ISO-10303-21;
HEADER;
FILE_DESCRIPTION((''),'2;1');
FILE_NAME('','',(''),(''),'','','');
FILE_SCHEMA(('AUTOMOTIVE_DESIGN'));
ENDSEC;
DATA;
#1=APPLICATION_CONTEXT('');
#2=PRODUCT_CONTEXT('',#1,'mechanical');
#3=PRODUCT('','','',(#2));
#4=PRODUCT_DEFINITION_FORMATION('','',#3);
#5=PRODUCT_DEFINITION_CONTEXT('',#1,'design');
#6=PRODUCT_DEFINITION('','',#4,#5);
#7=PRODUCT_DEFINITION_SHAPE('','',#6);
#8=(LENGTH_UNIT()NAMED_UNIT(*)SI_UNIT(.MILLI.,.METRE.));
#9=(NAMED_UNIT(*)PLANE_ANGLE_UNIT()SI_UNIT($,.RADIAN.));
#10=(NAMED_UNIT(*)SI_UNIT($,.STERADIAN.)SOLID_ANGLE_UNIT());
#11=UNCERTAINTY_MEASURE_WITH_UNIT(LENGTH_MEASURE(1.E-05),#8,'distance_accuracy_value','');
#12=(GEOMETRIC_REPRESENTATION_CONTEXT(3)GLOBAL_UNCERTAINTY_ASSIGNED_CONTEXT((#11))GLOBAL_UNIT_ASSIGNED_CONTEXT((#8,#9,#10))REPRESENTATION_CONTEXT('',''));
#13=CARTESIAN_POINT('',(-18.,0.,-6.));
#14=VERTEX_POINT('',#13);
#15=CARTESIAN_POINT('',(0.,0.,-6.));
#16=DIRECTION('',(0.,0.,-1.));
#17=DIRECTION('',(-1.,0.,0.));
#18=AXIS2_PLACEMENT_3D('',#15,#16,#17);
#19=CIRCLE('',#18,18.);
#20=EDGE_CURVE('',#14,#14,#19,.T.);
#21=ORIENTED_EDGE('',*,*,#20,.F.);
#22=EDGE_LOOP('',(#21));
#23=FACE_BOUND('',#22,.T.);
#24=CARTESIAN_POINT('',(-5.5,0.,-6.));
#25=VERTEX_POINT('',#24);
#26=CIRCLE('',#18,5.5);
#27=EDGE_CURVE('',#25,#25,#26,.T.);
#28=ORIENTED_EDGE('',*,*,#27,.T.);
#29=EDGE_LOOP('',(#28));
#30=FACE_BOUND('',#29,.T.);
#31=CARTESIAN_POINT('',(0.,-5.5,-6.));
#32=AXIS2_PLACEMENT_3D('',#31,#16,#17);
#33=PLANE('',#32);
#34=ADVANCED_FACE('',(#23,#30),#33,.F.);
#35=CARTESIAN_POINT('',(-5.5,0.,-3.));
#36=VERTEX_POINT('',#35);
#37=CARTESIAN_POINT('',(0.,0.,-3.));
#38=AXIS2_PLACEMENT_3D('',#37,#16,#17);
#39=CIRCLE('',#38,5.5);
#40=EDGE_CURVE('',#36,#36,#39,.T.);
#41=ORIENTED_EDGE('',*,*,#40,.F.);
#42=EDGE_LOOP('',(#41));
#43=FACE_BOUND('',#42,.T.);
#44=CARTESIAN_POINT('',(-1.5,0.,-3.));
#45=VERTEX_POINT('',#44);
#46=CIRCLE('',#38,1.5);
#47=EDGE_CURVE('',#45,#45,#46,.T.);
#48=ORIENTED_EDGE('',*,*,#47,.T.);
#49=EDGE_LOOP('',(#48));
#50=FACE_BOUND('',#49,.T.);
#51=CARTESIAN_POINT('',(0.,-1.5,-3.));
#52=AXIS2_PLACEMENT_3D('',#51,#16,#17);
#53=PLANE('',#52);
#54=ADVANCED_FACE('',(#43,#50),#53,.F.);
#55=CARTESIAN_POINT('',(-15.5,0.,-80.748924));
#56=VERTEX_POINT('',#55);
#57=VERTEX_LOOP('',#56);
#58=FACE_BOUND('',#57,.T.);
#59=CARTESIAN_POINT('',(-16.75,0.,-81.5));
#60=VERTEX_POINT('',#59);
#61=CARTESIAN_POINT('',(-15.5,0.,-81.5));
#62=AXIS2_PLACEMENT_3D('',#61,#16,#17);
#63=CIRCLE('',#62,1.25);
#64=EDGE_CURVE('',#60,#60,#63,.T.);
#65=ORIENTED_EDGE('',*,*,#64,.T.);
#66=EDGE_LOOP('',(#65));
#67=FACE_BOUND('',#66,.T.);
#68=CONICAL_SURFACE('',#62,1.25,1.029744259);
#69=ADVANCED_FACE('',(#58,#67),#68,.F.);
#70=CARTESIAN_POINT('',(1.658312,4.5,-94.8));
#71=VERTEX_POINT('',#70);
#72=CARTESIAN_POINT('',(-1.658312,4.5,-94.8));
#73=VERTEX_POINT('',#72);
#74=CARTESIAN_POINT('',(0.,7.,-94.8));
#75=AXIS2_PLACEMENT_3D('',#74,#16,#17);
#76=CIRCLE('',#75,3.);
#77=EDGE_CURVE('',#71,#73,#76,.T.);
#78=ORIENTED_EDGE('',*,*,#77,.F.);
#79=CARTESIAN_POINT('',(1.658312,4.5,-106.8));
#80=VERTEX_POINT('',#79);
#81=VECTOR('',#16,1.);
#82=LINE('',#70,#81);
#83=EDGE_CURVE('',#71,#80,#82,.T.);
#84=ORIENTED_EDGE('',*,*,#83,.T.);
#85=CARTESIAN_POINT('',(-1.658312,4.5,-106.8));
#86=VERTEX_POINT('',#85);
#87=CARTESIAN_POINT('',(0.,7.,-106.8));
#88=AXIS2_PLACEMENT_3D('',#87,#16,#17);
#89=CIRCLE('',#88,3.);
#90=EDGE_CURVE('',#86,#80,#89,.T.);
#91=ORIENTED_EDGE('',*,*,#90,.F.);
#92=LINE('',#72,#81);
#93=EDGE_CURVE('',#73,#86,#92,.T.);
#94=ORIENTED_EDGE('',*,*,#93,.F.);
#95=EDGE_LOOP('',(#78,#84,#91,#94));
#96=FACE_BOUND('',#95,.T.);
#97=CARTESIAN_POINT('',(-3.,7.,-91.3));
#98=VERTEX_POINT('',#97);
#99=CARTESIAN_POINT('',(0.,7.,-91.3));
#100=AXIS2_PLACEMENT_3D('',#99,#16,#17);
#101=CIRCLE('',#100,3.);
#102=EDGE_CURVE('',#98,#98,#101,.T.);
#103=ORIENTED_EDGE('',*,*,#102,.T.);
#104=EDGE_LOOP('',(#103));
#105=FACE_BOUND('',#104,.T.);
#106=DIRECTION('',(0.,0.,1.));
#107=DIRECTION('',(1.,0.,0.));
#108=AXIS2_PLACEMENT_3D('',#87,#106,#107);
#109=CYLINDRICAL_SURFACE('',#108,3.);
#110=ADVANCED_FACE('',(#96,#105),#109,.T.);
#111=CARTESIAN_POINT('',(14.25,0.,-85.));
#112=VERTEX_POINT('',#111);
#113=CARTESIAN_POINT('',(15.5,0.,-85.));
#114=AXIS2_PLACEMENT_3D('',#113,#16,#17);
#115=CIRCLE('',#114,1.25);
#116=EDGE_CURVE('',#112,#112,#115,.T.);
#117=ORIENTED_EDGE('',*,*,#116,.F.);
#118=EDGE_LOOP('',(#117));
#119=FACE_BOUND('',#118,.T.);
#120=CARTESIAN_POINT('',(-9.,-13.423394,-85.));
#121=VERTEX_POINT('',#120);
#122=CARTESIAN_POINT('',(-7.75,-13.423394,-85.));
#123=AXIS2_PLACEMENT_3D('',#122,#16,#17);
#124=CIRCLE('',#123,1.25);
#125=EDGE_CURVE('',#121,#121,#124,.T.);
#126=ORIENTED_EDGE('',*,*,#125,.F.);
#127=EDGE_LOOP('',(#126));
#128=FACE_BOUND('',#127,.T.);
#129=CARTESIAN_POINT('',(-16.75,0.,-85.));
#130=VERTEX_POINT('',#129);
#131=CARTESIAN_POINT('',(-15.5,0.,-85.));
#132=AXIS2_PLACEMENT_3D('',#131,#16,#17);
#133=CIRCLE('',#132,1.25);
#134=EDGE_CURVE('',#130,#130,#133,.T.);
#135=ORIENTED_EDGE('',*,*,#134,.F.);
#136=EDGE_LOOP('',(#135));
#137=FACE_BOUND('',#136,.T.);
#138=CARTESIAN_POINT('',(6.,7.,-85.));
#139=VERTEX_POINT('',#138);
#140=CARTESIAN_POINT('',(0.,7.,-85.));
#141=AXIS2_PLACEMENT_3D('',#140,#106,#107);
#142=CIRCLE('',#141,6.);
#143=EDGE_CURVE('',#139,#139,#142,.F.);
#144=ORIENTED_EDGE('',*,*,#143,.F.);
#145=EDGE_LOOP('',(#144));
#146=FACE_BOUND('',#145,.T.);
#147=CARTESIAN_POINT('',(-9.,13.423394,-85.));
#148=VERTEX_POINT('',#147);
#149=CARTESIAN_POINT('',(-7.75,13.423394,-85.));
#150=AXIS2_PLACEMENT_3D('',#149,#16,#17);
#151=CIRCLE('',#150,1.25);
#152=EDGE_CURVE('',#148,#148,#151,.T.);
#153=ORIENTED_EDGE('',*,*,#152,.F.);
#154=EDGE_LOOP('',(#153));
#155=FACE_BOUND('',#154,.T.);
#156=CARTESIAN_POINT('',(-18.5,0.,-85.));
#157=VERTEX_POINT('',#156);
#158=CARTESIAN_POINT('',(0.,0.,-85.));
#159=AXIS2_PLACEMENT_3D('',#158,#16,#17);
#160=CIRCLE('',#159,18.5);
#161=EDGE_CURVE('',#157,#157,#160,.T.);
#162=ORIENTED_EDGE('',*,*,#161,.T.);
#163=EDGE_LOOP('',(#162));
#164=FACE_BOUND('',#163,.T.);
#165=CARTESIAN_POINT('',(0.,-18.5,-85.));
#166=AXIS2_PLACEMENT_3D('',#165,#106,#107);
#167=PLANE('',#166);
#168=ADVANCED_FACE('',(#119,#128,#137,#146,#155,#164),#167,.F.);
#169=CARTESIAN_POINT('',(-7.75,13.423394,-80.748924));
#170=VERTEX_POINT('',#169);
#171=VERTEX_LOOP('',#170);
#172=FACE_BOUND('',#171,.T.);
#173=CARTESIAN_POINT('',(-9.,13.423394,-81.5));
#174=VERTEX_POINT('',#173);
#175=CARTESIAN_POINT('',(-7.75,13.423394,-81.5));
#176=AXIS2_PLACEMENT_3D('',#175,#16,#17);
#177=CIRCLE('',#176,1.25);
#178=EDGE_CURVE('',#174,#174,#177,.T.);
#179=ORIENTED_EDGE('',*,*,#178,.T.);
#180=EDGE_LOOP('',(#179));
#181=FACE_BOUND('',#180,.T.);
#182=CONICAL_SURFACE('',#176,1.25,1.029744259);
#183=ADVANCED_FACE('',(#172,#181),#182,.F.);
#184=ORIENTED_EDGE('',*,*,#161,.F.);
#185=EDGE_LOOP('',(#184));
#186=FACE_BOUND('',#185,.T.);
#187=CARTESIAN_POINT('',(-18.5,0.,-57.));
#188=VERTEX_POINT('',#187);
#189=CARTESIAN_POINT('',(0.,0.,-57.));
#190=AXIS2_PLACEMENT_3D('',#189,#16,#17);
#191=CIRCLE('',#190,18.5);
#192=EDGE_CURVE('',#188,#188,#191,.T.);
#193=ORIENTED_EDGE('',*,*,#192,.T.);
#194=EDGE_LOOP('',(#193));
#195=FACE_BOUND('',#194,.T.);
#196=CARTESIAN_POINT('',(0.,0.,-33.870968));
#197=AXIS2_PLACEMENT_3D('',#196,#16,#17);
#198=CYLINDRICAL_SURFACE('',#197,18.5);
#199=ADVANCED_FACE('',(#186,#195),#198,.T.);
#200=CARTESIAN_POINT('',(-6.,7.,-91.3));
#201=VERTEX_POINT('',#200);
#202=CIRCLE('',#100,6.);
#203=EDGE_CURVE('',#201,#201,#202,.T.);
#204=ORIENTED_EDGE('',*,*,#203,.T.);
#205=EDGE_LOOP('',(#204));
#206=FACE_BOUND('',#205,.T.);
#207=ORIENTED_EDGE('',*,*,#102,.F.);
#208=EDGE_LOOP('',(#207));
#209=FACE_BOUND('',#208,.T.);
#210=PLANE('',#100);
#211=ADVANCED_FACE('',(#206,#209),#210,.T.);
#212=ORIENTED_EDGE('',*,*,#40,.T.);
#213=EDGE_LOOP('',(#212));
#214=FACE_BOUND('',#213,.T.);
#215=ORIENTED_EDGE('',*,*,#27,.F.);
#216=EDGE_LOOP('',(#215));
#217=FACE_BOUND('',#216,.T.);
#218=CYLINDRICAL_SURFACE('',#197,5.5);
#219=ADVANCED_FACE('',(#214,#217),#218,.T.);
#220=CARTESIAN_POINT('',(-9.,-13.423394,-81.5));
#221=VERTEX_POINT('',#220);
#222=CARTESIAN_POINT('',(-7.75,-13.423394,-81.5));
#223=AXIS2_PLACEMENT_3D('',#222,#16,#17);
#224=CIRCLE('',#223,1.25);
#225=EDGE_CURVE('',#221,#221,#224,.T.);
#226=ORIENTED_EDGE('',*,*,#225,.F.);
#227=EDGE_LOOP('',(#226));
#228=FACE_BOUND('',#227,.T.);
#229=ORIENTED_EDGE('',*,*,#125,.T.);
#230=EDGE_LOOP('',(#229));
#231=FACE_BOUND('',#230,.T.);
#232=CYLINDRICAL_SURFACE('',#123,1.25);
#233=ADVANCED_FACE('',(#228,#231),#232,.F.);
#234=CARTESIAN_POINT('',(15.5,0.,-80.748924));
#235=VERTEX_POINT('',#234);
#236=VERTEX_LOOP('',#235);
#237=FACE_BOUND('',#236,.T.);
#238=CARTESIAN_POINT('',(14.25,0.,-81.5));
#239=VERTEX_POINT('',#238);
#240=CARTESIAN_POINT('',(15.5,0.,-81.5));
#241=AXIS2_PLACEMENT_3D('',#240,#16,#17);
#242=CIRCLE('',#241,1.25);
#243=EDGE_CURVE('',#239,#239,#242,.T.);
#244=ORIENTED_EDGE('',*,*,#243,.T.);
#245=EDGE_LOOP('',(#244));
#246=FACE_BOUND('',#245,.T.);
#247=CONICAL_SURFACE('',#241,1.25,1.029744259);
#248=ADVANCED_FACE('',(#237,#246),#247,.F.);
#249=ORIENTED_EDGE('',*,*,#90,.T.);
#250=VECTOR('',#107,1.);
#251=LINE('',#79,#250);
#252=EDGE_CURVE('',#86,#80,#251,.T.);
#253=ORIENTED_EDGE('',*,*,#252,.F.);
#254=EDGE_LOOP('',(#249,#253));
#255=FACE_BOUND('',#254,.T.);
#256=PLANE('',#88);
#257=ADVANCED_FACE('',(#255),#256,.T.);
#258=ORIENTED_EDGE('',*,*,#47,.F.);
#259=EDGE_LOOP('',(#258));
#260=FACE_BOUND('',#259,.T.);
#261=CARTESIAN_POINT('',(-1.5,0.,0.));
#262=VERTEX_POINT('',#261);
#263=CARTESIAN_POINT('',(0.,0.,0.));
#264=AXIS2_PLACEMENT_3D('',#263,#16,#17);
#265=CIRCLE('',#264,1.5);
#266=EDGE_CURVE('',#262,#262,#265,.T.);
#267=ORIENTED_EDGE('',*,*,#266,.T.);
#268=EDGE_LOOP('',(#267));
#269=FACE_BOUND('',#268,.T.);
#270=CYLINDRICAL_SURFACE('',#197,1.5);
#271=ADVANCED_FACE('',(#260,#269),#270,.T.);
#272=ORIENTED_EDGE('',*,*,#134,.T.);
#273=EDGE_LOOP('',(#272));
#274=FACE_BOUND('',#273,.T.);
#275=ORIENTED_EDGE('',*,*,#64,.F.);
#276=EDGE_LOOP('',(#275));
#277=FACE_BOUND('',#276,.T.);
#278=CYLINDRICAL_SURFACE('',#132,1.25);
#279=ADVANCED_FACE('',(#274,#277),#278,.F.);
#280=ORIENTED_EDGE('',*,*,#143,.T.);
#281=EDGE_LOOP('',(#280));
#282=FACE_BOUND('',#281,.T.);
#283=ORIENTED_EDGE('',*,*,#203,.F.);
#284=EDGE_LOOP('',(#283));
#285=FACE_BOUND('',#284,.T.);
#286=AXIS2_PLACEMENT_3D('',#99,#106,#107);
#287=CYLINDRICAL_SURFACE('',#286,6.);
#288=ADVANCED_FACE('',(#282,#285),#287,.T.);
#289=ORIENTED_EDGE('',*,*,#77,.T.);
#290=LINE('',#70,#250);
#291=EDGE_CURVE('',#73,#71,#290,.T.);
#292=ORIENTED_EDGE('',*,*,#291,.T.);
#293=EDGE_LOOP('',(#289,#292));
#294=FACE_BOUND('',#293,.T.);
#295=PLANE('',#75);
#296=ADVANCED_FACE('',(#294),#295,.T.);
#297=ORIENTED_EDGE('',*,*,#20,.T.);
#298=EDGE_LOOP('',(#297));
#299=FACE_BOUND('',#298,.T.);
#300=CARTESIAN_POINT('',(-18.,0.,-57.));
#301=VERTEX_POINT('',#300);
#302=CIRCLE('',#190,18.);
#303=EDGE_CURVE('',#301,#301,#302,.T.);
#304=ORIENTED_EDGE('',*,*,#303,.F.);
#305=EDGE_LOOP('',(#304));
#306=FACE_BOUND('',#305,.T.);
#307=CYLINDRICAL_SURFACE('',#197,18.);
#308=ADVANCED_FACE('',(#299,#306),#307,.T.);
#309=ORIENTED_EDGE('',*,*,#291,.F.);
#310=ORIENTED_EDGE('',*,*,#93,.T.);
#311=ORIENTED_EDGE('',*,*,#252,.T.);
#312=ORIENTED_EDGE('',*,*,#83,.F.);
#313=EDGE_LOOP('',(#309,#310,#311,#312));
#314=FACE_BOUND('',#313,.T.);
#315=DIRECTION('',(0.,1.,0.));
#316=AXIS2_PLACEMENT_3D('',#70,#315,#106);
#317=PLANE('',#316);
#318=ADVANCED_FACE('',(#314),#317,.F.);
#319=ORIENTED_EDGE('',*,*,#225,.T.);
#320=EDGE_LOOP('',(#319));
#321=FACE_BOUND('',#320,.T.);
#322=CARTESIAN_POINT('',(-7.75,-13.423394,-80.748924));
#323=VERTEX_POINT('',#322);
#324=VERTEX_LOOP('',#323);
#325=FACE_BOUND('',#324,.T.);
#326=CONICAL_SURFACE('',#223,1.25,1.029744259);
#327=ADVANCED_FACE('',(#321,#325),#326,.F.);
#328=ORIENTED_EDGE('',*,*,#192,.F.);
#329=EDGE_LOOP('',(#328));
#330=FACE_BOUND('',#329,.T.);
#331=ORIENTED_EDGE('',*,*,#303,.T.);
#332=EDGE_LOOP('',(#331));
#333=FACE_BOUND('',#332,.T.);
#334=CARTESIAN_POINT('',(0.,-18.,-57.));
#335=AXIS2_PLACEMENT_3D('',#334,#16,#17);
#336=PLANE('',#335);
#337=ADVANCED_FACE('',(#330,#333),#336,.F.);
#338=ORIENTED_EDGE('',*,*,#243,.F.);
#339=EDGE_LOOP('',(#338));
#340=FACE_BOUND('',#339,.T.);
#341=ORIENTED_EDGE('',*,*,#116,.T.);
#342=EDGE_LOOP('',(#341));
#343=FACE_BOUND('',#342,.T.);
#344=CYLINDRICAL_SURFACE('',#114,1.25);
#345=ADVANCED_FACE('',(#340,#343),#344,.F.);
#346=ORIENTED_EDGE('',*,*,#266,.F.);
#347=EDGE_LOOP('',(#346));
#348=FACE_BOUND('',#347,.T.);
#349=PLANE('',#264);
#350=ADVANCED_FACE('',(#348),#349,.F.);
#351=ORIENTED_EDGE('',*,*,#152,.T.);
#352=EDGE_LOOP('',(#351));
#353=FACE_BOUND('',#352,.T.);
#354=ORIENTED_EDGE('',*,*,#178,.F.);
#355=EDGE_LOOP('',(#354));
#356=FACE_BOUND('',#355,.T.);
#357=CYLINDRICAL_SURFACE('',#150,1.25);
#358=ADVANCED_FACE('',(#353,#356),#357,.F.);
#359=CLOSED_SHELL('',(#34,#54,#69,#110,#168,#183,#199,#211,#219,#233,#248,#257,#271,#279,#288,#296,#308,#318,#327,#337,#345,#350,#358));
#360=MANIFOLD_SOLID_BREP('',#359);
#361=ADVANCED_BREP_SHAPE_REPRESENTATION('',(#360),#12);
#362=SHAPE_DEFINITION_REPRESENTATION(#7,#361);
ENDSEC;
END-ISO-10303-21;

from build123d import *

# Parameters (mm, degrees)
SKETCH2_R                 = 6
BOSS_EXTRUDE1_DEPTH       = 6.3
SKETCH3_R                 = 3
BOSS_EXTRUDE2_DEPTH       = 15.5
M3X0_5_TAPPED_HOLE1_D     = 2.5
M3X0_5_TAPPED_HOLE1_DEPTH = 3.5
M3X0_5_TAPPED_HOLE1_TIP   = 0.751075774
CUT_EXTRUDE1_START        = -12
CUT_EXTRUDE1_DEPTH        = 12


with BuildPart() as part:
    # Sketch1 → Revolve1 (revolve)
    with BuildSketch(Plane(origin=(0, 0, 0), x_dir=(0, 0, -1), z_dir=(1, 0, 0)), mode=Mode.PRIVATE) as revolve1_sk:
        Polygon((0, 0), (0, -1.5), (3, -1.5), (3, -5.5), (6, -5.5), (6, -18), (57, -18), (57, -18.5), (85, -18.5), (85, 0), align=None)
    revolve(revolve1_sk.sketch.rotate(Axis((0, 0, -33.870967742), (0, 0, 1)), 270), axis=Axis((0, 0, -33.870967742), (0, 0, 1)))

    # Sketch2 → Boss-Extrude1 (add)
    with BuildSketch(Plane(origin=(0, 0, -85), x_dir=(-1, 0, 0), z_dir=(0, 0, -1))):
        with Locations(Location((0, 7, 0), (0, 0, 180))):
            Circle(SKETCH2_R)
    extrude(amount=BOSS_EXTRUDE1_DEPTH)

    # Sketch3 → Boss-Extrude2 (add)
    with BuildSketch(Plane(origin=(0, 0, -91.3), x_dir=(-1, 0, 0), z_dir=(0, 0, -1))):
        with Locations((0, 7)):
            Circle(SKETCH3_R)
    extrude(amount=BOSS_EXTRUDE2_DEPTH)

    # M3x0.5 Tapped Hole1
    with Locations(Plane(origin=(0, 0, -85), x_dir=(-1, 0, 0), z_dir=(0, 0, -1))):
        with Locations((7.75, -13.423393759), (15.5, 0), (-15.5, 0), (7.75, 13.423393759)):
            Hole(M3X0_5_TAPPED_HOLE1_D / 2, depth=M3X0_5_TAPPED_HOLE1_DEPTH)
            with Locations((0, 0, -(M3X0_5_TAPPED_HOLE1_DEPTH + M3X0_5_TAPPED_HOLE1_TIP / 2))):  # 118° drill point
                Cone(0, M3X0_5_TAPPED_HOLE1_D / 2, M3X0_5_TAPPED_HOLE1_TIP, mode=Mode.SUBTRACT)

    # Sketch6 → Cut-Extrude1 (cut)
    with BuildSketch(Plane(origin=(0, 0, -106.8), x_dir=(-1, 0, 0), z_dir=(0, 0, -1)).offset(CUT_EXTRUDE1_START)):
        with BuildLine():
            Line((-1.658312395, 4.5), (1.658312395, 4.5))
            ThreePointArc((1.658312395, 4.5), (0, 4), (-1.658312395, 4.5))
        make_face()
    extrude(amount=CUT_EXTRUDE1_DEPTH, mode=Mode.SUBTRACT)


solid = part.part
